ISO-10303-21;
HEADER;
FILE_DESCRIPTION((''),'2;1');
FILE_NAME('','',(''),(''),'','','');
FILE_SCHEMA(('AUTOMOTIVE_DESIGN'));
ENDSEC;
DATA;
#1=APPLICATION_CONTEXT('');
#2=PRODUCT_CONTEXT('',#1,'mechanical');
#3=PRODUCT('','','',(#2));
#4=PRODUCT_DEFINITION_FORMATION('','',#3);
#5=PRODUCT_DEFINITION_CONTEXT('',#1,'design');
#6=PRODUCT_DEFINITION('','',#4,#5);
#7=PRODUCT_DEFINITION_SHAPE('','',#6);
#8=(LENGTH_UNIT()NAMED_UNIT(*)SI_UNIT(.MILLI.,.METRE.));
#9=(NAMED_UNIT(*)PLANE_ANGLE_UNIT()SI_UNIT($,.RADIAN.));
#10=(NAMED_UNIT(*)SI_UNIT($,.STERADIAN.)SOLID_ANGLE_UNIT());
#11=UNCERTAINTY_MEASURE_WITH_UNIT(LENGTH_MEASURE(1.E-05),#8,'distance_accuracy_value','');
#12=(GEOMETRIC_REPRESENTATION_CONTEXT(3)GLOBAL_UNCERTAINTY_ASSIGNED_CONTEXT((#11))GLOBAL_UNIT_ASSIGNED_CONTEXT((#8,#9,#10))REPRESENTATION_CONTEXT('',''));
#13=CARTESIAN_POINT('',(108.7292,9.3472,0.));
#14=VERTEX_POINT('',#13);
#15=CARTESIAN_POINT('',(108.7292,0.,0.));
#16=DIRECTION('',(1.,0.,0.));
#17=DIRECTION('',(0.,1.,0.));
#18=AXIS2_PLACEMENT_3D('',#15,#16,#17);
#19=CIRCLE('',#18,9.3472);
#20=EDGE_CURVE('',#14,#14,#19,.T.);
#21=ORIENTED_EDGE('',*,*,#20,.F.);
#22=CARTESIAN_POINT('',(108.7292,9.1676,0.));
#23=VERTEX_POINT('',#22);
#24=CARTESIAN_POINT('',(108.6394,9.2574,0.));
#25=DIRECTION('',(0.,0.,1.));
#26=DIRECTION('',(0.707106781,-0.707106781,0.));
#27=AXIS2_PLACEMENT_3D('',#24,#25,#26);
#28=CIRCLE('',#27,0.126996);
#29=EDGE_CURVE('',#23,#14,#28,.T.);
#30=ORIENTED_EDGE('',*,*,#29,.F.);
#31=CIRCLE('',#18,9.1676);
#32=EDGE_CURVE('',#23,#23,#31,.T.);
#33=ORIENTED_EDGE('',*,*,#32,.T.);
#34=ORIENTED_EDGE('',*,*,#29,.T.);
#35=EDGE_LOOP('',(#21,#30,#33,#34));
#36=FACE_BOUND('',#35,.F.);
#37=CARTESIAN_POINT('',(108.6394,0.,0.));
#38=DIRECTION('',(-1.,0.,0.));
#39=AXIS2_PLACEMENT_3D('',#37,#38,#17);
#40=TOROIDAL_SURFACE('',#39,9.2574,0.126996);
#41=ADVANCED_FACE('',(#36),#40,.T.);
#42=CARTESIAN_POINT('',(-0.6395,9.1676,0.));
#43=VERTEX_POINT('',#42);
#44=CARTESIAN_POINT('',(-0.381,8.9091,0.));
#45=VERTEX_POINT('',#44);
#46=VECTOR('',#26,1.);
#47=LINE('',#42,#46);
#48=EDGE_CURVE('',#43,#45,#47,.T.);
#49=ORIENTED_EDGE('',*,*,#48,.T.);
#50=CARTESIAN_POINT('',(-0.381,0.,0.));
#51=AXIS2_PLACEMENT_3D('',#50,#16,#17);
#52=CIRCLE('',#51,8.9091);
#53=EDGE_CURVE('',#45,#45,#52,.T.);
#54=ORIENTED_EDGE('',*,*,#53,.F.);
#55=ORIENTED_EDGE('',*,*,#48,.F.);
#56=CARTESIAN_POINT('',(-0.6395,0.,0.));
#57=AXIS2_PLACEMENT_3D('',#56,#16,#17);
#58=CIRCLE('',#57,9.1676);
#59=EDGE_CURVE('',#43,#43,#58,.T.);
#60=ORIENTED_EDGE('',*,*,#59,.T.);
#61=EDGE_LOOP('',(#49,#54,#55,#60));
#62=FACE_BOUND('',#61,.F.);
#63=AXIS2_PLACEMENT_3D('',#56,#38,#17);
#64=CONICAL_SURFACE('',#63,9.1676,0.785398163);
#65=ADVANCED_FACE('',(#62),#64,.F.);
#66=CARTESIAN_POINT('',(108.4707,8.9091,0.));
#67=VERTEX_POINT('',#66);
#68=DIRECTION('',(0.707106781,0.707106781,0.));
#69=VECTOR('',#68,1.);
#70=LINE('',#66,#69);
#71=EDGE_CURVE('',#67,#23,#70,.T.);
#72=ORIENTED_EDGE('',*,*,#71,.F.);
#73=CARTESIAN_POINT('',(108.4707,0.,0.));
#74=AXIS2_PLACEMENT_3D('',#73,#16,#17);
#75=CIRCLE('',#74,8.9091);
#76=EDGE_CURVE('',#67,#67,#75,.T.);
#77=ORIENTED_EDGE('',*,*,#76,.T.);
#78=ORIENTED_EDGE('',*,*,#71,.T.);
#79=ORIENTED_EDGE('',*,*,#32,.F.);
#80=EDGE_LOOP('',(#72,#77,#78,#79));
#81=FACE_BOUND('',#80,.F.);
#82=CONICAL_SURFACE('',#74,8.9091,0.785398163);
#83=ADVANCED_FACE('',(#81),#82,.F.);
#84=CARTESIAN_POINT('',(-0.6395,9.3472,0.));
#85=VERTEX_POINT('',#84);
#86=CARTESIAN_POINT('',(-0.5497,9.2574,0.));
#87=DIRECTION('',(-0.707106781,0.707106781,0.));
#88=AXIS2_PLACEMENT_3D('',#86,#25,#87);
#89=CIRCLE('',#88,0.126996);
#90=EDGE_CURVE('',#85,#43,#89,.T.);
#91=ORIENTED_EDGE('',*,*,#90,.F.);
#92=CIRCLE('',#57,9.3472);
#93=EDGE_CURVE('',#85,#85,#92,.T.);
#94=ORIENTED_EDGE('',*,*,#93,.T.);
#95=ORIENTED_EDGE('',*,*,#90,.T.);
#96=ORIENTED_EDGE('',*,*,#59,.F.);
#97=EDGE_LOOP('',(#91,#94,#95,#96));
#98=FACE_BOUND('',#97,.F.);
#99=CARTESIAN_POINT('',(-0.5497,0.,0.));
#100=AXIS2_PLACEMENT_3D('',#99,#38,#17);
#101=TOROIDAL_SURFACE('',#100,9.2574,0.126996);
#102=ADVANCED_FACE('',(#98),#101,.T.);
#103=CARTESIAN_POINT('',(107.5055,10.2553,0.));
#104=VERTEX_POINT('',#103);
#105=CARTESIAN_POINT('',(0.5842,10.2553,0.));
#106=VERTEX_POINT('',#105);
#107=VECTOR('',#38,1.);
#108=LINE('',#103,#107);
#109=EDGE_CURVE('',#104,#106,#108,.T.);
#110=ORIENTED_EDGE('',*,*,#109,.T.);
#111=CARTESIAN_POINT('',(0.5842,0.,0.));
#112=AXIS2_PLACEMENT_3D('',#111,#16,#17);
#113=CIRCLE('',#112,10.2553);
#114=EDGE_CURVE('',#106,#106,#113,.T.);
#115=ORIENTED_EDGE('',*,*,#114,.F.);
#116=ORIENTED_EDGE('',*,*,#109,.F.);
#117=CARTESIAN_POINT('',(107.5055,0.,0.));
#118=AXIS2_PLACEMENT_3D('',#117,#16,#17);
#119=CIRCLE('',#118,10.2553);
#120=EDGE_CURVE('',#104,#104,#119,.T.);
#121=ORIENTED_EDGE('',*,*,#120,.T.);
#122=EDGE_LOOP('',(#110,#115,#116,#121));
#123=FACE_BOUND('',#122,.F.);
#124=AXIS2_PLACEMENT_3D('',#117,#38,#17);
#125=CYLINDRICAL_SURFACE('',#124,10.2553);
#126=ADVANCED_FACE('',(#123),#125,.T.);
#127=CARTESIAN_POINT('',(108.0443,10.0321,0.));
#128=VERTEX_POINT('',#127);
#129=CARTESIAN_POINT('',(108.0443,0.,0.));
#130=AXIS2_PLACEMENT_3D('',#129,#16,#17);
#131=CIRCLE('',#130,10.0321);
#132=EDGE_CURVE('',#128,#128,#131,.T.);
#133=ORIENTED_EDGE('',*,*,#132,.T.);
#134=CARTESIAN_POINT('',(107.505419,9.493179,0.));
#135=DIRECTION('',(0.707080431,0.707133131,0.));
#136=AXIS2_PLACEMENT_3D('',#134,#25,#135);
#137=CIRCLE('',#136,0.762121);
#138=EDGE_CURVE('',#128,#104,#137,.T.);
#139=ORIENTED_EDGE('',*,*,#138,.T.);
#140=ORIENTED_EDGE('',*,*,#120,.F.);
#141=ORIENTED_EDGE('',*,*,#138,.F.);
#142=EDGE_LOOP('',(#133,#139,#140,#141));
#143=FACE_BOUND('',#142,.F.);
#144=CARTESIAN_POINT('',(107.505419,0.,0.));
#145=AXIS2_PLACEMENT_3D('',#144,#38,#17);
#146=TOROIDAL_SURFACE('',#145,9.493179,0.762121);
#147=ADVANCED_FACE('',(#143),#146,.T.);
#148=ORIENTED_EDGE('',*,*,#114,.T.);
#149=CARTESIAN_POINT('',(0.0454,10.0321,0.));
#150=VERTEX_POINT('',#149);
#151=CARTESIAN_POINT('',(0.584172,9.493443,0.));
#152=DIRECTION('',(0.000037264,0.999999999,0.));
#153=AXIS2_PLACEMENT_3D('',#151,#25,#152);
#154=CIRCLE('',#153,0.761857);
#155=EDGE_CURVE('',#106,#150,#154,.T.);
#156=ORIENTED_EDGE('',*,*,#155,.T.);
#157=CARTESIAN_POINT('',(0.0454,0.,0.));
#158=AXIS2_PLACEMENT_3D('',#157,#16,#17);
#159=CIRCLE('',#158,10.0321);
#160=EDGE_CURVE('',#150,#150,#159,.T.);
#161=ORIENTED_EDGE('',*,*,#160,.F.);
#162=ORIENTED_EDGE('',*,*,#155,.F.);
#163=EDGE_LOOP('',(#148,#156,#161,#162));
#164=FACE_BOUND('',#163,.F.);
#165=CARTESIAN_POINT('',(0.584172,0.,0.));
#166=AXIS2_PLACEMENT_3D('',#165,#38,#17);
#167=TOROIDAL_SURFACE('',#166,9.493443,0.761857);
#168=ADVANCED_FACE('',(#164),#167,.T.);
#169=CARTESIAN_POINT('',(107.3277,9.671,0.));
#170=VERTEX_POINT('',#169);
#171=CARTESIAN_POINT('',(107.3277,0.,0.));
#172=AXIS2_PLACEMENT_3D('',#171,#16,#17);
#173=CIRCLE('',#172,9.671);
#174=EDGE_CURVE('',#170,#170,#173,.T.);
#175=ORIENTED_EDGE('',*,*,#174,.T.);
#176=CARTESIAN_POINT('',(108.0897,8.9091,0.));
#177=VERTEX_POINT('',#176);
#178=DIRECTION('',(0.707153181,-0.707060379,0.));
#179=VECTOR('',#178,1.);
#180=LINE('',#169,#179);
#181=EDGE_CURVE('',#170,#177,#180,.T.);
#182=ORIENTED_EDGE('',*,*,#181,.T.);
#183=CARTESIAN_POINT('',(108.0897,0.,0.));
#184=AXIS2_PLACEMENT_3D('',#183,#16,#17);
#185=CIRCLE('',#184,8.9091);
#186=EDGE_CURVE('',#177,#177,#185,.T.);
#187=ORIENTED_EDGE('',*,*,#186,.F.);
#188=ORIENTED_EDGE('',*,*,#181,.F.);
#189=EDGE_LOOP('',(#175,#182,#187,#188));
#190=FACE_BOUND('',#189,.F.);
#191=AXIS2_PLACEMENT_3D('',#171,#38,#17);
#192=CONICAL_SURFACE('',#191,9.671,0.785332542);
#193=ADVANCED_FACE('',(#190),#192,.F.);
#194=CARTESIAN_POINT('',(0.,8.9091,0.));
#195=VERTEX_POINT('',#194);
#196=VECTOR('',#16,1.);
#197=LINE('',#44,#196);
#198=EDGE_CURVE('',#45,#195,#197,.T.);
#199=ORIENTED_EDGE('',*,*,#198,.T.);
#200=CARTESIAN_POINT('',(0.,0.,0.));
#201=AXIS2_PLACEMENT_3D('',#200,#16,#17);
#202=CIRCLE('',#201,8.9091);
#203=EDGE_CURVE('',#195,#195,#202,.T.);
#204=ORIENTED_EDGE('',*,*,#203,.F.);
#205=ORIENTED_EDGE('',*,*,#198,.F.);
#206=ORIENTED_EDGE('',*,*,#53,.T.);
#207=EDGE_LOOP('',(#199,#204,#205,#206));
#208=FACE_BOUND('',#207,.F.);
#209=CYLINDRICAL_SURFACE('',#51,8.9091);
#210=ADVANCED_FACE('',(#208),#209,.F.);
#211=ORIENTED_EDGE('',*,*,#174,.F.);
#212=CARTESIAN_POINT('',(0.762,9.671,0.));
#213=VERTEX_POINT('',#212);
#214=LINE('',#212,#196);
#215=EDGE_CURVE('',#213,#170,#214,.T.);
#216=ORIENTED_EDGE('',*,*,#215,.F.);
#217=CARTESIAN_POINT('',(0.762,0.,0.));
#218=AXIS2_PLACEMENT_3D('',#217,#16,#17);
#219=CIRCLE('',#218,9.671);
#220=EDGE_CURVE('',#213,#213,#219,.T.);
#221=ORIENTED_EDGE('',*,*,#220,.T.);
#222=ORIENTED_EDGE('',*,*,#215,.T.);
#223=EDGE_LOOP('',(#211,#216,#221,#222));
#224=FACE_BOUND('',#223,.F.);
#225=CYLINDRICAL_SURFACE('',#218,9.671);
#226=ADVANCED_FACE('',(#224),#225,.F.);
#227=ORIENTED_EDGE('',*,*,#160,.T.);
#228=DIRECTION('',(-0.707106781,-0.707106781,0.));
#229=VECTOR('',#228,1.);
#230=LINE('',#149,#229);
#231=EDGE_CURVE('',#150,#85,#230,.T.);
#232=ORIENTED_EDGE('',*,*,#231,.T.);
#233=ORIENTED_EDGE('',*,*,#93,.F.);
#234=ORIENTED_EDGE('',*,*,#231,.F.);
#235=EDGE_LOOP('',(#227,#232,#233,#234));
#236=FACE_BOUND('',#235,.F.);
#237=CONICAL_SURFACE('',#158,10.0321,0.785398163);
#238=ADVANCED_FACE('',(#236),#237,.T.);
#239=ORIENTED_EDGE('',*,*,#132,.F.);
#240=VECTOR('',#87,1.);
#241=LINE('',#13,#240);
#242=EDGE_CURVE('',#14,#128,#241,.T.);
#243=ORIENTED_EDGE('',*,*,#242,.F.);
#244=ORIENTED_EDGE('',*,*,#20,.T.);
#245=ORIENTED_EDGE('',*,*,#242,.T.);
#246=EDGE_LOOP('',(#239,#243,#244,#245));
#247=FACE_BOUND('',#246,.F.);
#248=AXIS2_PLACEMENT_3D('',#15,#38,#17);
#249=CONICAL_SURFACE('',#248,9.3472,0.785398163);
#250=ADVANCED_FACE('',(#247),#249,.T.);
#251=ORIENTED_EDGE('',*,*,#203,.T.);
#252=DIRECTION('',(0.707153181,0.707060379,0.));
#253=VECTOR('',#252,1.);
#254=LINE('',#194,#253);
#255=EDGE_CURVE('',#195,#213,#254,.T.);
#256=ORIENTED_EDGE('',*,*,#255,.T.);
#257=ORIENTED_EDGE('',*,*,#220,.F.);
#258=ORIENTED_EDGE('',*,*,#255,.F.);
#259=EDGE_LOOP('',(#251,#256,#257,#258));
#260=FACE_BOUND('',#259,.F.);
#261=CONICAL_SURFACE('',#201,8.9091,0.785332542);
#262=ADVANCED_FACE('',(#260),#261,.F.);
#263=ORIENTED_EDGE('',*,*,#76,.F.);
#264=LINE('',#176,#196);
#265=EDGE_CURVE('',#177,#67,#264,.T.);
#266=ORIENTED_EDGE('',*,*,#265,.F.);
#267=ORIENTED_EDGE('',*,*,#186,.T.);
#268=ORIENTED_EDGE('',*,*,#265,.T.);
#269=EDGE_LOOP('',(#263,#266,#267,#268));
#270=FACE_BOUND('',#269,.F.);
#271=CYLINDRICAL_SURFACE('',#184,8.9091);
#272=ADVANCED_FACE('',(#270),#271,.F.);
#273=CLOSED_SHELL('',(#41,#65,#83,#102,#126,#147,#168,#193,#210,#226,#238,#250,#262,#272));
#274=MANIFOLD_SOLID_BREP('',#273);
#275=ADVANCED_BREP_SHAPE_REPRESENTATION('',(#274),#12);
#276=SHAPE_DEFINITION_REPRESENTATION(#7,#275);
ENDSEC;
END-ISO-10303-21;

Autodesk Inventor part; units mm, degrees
sketch "Sketch_1" plane through (0, 0, 0) normal (0, 0, 1) x (1, 0, 0)
  line L0 (108.0897, 0) -> (0, 0)
  arc A0 (-0.6395, 9.3472) -> (-0.6395, 9.1676) centre (-0.5497, 9.2574) ccw
  line L1 (-0.6395, 9.1676) -> (-0.381, 8.9091)
  line L2 (-0.381, 8.9091) -> (0, 8.9091)
  line L3 (0, 8.9091) -> (0.762, 9.671)
  line L4 (0.762, 9.671) -> (107.3277, 9.671)
  line L5 (107.3277, 9.671) -> (108.0897, 8.9091)
  line L6 (108.0897, 8.9091) -> (108.4707, 8.9091)
  line L7 (108.4707, 8.9091) -> (108.7292, 9.1676)
  arc A1 (108.7292, 9.1676) -> (108.7292, 9.3472) centre (108.6394, 9.2574) ccw
  line L8 (108.7292, 9.3472) -> (108.0443, 10.0321)
  arc A2 (108.0443, 10.0321) -> (107.5055, 10.2553) centre (107.5055, 9.4933) ccw
  line L9 (107.5055, 10.2553) -> (0.5842, 10.2553)
  arc A3 (0.5842, 10.2553) -> (0.0454, 10.0321) centre (0.5842, 9.4933) ccw
  line L10 (0.0454, 10.0321) -> (-0.6395, 9.3472)
revolve "Revolution1" add sketch "Sketch_1" angle 360 about axis through (108.0897, 0, 0) along (1, 0, 0)
ref_plane "cp1_XY" through (54.0449, 10.2553, 0) normal (1, 0, 0) x (0, 0, -1)
ref_plane "cp1_YZ" through (54.0449, 10.2553, 0) normal (0, 0, -1) x (0, 1, 0)
ref_plane "cp1_ZX" through (54.0449, 10.2553, 0) normal (0, 1, 0) x (1, 0, 0)
ref_plane "cp2_XY" through (54.0449, 0, -10.2553) normal (1, 0, 0) x (0, 0, -1)
ref_plane "cp2_YZ" through (54.0449, 0, -10.2553) normal (0, 0, -1) x (0, 1, 0)
ref_plane "cp2_ZX" through (54.0449, 0, -10.2553) normal (0, 1, 0) x (1, 0, 0)
ref_plane "cp3_XY" through (54.0449, -10.2553, 0) normal (1, 0, 0) x (0, 0, -1)
ref_plane "cp3_YZ" through (54.0449, -10.2553, 0) normal (0, 0, -1) x (0, 1, 0)
ref_plane "cp3_ZX" through (54.0449, -10.2553, 0) normal (0, 1, 0) x (1, 0, 0)
ref_plane "cp4_XY" through (54.0449, 0, 10.2553) normal (1, 0, 0) x (0, 0, -1)
ref_plane "cp4_YZ" through (54.0449, 0, 10.2553) normal (0, 0, -1) x (0, 1, 0)
ref_plane "cp4_ZX" through (54.0449, 0, 10.2553) normal (0, 1, 0) x (1, 0, 0)
ref_plane "tube_front_XY" through (0, 0, 0) normal (1, 0, 0) x (0, 0, -1)
ref_plane "tube_front_YZ" through (0, 0, 0) normal (0, 0, -1) x (0, 1, 0)
ref_plane "tube_front_ZX" through (0, 0, 0) normal (0, 1, 0) x (1, 0, 0)
ref_plane "tube_rear_XY" through (108.0897, 0, 0) normal (1, 0, 0) x (0, 0, -1)
ref_plane "tube_rear_YZ" through (108.0897, 0, 0) normal (0, 0, -1) x (0, 1, 0)
ref_plane "tube_rear_ZX" through (108.0897, 0, 0) normal (0, 1, 0) x (1, 0, 0)
properties part number "04R-4.25550"
